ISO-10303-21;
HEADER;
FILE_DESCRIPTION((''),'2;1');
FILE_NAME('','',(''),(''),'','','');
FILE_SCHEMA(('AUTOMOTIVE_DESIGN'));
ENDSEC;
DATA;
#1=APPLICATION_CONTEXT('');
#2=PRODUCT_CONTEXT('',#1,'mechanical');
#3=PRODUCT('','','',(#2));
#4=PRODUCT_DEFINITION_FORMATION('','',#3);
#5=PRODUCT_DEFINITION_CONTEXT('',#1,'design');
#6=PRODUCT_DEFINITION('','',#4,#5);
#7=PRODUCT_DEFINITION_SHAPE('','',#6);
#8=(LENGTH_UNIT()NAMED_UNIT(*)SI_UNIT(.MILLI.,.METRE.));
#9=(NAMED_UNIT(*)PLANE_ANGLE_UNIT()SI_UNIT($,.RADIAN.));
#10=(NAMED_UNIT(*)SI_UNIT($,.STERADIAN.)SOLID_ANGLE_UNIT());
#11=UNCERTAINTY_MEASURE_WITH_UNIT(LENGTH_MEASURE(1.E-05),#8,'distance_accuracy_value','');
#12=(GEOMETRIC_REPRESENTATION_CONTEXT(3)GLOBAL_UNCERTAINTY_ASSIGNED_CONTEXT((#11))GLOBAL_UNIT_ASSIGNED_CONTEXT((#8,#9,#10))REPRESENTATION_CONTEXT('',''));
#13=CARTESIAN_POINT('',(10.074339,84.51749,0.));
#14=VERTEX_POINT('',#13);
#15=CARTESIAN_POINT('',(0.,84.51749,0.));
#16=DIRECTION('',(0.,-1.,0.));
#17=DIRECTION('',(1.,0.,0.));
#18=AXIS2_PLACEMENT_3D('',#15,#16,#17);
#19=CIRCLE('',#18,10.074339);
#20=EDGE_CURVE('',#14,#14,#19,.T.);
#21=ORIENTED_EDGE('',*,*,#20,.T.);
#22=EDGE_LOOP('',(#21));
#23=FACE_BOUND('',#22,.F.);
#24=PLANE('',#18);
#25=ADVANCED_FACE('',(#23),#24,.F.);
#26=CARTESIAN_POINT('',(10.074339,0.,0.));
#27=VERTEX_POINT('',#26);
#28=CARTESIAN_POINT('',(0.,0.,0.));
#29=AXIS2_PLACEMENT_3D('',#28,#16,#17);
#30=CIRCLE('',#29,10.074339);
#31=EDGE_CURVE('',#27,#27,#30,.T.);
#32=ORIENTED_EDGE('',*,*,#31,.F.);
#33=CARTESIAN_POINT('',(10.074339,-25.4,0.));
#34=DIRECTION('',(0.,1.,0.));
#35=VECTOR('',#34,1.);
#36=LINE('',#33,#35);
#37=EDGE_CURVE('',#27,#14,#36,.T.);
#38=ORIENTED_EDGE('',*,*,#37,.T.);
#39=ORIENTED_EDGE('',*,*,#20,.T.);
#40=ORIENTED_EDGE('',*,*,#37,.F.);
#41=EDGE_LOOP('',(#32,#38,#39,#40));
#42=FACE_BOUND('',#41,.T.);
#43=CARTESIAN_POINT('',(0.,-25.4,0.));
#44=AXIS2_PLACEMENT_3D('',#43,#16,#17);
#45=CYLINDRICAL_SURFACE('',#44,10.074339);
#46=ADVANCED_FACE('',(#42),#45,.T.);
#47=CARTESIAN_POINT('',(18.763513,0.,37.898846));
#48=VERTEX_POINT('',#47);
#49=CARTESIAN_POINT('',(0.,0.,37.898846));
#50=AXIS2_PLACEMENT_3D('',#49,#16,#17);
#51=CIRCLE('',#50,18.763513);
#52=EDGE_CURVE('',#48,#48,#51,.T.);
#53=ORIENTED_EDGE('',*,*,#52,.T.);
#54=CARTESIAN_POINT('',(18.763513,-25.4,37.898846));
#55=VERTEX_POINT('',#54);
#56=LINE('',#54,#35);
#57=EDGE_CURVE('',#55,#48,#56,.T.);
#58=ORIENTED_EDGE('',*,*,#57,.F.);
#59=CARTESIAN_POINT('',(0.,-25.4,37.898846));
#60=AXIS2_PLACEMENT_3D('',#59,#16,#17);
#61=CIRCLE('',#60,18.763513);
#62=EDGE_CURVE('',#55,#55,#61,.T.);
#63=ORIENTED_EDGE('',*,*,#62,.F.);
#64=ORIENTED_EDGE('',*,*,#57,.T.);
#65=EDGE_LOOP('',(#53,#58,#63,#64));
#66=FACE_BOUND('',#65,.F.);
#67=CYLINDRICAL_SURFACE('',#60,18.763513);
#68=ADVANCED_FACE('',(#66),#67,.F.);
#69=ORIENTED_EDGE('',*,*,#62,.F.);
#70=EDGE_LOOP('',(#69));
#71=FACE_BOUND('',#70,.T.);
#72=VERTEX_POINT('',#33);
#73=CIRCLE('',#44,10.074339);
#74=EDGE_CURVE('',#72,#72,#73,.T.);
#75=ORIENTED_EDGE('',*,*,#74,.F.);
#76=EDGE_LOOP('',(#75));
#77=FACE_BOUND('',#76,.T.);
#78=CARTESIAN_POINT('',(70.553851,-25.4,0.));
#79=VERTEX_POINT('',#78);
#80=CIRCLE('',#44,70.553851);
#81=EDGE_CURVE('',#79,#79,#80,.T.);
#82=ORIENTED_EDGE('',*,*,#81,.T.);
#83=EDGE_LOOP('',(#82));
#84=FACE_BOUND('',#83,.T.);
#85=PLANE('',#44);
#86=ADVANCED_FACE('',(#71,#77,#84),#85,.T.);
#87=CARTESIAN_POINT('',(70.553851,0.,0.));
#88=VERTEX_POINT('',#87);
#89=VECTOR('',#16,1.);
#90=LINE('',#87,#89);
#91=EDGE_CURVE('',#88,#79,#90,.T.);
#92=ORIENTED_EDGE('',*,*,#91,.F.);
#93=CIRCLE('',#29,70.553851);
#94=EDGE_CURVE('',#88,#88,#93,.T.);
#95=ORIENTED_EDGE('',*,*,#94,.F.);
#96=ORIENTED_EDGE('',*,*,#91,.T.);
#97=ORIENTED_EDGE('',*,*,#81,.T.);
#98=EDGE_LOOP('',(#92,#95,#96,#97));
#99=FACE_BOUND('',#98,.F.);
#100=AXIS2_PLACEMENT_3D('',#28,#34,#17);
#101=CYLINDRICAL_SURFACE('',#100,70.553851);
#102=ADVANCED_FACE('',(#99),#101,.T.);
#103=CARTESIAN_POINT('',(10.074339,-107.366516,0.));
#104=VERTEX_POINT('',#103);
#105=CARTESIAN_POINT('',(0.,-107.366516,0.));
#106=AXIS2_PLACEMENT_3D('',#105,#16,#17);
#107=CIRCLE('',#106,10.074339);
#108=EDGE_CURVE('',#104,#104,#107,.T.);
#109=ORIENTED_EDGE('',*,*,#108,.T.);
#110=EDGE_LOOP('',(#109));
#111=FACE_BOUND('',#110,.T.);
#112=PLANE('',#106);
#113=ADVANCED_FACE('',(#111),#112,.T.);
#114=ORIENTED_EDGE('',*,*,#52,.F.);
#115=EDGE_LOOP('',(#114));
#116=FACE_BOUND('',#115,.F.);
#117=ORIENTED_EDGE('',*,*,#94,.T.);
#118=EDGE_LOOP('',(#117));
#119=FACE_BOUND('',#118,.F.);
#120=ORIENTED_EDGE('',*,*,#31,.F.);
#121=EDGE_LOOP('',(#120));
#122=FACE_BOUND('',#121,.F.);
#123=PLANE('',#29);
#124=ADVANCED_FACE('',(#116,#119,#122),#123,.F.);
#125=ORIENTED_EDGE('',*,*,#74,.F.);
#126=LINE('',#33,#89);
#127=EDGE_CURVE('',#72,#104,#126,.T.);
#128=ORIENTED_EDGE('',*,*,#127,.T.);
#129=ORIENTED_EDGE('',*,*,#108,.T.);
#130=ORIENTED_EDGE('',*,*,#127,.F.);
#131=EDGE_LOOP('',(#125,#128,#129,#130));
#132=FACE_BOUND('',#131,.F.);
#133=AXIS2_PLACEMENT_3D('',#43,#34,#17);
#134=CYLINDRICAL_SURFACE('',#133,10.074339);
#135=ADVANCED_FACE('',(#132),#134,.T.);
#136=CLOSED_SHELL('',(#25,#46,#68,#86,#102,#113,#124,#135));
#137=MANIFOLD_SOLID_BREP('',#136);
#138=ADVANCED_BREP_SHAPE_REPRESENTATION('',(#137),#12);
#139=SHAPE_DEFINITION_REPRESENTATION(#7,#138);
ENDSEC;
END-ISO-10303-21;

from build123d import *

# Parameters (mm, degrees)
F0_R          = 70.553851
F1_DEPTH      = 25.4
F2_R          = 18.763513
F3_DEPTH      = 61.607625
F4_R          = 10.074339
F5_DEPTH      = 81.966516
F5_DEPTH_BACK = 109.91749


with BuildPart() as f1:
    # F0 (on Front) → F1 (new body)
    with BuildSketch(Plane.XZ):
        Circle(F0_R)
    extrude(amount=F1_DEPTH)

    # F2 (on face) → F3 (cut)
    with BuildSketch(Plane.XZ.offset(25.4)):
        with Locations((0, 37.898846)):
            Circle(F2_R)
    extrude(amount=-F3_DEPTH, mode=Mode.SUBTRACT)

    # F4 (on face) → F5 (join, two sides)
    with BuildSketch(Plane.XZ.offset(25.4)) as f5_sk:
        Circle(F4_R)
    extrude(amount=F5_DEPTH)
    extrude(f5_sk.sketch, amount=-F5_DEPTH_BACK)


solid = f1.part
